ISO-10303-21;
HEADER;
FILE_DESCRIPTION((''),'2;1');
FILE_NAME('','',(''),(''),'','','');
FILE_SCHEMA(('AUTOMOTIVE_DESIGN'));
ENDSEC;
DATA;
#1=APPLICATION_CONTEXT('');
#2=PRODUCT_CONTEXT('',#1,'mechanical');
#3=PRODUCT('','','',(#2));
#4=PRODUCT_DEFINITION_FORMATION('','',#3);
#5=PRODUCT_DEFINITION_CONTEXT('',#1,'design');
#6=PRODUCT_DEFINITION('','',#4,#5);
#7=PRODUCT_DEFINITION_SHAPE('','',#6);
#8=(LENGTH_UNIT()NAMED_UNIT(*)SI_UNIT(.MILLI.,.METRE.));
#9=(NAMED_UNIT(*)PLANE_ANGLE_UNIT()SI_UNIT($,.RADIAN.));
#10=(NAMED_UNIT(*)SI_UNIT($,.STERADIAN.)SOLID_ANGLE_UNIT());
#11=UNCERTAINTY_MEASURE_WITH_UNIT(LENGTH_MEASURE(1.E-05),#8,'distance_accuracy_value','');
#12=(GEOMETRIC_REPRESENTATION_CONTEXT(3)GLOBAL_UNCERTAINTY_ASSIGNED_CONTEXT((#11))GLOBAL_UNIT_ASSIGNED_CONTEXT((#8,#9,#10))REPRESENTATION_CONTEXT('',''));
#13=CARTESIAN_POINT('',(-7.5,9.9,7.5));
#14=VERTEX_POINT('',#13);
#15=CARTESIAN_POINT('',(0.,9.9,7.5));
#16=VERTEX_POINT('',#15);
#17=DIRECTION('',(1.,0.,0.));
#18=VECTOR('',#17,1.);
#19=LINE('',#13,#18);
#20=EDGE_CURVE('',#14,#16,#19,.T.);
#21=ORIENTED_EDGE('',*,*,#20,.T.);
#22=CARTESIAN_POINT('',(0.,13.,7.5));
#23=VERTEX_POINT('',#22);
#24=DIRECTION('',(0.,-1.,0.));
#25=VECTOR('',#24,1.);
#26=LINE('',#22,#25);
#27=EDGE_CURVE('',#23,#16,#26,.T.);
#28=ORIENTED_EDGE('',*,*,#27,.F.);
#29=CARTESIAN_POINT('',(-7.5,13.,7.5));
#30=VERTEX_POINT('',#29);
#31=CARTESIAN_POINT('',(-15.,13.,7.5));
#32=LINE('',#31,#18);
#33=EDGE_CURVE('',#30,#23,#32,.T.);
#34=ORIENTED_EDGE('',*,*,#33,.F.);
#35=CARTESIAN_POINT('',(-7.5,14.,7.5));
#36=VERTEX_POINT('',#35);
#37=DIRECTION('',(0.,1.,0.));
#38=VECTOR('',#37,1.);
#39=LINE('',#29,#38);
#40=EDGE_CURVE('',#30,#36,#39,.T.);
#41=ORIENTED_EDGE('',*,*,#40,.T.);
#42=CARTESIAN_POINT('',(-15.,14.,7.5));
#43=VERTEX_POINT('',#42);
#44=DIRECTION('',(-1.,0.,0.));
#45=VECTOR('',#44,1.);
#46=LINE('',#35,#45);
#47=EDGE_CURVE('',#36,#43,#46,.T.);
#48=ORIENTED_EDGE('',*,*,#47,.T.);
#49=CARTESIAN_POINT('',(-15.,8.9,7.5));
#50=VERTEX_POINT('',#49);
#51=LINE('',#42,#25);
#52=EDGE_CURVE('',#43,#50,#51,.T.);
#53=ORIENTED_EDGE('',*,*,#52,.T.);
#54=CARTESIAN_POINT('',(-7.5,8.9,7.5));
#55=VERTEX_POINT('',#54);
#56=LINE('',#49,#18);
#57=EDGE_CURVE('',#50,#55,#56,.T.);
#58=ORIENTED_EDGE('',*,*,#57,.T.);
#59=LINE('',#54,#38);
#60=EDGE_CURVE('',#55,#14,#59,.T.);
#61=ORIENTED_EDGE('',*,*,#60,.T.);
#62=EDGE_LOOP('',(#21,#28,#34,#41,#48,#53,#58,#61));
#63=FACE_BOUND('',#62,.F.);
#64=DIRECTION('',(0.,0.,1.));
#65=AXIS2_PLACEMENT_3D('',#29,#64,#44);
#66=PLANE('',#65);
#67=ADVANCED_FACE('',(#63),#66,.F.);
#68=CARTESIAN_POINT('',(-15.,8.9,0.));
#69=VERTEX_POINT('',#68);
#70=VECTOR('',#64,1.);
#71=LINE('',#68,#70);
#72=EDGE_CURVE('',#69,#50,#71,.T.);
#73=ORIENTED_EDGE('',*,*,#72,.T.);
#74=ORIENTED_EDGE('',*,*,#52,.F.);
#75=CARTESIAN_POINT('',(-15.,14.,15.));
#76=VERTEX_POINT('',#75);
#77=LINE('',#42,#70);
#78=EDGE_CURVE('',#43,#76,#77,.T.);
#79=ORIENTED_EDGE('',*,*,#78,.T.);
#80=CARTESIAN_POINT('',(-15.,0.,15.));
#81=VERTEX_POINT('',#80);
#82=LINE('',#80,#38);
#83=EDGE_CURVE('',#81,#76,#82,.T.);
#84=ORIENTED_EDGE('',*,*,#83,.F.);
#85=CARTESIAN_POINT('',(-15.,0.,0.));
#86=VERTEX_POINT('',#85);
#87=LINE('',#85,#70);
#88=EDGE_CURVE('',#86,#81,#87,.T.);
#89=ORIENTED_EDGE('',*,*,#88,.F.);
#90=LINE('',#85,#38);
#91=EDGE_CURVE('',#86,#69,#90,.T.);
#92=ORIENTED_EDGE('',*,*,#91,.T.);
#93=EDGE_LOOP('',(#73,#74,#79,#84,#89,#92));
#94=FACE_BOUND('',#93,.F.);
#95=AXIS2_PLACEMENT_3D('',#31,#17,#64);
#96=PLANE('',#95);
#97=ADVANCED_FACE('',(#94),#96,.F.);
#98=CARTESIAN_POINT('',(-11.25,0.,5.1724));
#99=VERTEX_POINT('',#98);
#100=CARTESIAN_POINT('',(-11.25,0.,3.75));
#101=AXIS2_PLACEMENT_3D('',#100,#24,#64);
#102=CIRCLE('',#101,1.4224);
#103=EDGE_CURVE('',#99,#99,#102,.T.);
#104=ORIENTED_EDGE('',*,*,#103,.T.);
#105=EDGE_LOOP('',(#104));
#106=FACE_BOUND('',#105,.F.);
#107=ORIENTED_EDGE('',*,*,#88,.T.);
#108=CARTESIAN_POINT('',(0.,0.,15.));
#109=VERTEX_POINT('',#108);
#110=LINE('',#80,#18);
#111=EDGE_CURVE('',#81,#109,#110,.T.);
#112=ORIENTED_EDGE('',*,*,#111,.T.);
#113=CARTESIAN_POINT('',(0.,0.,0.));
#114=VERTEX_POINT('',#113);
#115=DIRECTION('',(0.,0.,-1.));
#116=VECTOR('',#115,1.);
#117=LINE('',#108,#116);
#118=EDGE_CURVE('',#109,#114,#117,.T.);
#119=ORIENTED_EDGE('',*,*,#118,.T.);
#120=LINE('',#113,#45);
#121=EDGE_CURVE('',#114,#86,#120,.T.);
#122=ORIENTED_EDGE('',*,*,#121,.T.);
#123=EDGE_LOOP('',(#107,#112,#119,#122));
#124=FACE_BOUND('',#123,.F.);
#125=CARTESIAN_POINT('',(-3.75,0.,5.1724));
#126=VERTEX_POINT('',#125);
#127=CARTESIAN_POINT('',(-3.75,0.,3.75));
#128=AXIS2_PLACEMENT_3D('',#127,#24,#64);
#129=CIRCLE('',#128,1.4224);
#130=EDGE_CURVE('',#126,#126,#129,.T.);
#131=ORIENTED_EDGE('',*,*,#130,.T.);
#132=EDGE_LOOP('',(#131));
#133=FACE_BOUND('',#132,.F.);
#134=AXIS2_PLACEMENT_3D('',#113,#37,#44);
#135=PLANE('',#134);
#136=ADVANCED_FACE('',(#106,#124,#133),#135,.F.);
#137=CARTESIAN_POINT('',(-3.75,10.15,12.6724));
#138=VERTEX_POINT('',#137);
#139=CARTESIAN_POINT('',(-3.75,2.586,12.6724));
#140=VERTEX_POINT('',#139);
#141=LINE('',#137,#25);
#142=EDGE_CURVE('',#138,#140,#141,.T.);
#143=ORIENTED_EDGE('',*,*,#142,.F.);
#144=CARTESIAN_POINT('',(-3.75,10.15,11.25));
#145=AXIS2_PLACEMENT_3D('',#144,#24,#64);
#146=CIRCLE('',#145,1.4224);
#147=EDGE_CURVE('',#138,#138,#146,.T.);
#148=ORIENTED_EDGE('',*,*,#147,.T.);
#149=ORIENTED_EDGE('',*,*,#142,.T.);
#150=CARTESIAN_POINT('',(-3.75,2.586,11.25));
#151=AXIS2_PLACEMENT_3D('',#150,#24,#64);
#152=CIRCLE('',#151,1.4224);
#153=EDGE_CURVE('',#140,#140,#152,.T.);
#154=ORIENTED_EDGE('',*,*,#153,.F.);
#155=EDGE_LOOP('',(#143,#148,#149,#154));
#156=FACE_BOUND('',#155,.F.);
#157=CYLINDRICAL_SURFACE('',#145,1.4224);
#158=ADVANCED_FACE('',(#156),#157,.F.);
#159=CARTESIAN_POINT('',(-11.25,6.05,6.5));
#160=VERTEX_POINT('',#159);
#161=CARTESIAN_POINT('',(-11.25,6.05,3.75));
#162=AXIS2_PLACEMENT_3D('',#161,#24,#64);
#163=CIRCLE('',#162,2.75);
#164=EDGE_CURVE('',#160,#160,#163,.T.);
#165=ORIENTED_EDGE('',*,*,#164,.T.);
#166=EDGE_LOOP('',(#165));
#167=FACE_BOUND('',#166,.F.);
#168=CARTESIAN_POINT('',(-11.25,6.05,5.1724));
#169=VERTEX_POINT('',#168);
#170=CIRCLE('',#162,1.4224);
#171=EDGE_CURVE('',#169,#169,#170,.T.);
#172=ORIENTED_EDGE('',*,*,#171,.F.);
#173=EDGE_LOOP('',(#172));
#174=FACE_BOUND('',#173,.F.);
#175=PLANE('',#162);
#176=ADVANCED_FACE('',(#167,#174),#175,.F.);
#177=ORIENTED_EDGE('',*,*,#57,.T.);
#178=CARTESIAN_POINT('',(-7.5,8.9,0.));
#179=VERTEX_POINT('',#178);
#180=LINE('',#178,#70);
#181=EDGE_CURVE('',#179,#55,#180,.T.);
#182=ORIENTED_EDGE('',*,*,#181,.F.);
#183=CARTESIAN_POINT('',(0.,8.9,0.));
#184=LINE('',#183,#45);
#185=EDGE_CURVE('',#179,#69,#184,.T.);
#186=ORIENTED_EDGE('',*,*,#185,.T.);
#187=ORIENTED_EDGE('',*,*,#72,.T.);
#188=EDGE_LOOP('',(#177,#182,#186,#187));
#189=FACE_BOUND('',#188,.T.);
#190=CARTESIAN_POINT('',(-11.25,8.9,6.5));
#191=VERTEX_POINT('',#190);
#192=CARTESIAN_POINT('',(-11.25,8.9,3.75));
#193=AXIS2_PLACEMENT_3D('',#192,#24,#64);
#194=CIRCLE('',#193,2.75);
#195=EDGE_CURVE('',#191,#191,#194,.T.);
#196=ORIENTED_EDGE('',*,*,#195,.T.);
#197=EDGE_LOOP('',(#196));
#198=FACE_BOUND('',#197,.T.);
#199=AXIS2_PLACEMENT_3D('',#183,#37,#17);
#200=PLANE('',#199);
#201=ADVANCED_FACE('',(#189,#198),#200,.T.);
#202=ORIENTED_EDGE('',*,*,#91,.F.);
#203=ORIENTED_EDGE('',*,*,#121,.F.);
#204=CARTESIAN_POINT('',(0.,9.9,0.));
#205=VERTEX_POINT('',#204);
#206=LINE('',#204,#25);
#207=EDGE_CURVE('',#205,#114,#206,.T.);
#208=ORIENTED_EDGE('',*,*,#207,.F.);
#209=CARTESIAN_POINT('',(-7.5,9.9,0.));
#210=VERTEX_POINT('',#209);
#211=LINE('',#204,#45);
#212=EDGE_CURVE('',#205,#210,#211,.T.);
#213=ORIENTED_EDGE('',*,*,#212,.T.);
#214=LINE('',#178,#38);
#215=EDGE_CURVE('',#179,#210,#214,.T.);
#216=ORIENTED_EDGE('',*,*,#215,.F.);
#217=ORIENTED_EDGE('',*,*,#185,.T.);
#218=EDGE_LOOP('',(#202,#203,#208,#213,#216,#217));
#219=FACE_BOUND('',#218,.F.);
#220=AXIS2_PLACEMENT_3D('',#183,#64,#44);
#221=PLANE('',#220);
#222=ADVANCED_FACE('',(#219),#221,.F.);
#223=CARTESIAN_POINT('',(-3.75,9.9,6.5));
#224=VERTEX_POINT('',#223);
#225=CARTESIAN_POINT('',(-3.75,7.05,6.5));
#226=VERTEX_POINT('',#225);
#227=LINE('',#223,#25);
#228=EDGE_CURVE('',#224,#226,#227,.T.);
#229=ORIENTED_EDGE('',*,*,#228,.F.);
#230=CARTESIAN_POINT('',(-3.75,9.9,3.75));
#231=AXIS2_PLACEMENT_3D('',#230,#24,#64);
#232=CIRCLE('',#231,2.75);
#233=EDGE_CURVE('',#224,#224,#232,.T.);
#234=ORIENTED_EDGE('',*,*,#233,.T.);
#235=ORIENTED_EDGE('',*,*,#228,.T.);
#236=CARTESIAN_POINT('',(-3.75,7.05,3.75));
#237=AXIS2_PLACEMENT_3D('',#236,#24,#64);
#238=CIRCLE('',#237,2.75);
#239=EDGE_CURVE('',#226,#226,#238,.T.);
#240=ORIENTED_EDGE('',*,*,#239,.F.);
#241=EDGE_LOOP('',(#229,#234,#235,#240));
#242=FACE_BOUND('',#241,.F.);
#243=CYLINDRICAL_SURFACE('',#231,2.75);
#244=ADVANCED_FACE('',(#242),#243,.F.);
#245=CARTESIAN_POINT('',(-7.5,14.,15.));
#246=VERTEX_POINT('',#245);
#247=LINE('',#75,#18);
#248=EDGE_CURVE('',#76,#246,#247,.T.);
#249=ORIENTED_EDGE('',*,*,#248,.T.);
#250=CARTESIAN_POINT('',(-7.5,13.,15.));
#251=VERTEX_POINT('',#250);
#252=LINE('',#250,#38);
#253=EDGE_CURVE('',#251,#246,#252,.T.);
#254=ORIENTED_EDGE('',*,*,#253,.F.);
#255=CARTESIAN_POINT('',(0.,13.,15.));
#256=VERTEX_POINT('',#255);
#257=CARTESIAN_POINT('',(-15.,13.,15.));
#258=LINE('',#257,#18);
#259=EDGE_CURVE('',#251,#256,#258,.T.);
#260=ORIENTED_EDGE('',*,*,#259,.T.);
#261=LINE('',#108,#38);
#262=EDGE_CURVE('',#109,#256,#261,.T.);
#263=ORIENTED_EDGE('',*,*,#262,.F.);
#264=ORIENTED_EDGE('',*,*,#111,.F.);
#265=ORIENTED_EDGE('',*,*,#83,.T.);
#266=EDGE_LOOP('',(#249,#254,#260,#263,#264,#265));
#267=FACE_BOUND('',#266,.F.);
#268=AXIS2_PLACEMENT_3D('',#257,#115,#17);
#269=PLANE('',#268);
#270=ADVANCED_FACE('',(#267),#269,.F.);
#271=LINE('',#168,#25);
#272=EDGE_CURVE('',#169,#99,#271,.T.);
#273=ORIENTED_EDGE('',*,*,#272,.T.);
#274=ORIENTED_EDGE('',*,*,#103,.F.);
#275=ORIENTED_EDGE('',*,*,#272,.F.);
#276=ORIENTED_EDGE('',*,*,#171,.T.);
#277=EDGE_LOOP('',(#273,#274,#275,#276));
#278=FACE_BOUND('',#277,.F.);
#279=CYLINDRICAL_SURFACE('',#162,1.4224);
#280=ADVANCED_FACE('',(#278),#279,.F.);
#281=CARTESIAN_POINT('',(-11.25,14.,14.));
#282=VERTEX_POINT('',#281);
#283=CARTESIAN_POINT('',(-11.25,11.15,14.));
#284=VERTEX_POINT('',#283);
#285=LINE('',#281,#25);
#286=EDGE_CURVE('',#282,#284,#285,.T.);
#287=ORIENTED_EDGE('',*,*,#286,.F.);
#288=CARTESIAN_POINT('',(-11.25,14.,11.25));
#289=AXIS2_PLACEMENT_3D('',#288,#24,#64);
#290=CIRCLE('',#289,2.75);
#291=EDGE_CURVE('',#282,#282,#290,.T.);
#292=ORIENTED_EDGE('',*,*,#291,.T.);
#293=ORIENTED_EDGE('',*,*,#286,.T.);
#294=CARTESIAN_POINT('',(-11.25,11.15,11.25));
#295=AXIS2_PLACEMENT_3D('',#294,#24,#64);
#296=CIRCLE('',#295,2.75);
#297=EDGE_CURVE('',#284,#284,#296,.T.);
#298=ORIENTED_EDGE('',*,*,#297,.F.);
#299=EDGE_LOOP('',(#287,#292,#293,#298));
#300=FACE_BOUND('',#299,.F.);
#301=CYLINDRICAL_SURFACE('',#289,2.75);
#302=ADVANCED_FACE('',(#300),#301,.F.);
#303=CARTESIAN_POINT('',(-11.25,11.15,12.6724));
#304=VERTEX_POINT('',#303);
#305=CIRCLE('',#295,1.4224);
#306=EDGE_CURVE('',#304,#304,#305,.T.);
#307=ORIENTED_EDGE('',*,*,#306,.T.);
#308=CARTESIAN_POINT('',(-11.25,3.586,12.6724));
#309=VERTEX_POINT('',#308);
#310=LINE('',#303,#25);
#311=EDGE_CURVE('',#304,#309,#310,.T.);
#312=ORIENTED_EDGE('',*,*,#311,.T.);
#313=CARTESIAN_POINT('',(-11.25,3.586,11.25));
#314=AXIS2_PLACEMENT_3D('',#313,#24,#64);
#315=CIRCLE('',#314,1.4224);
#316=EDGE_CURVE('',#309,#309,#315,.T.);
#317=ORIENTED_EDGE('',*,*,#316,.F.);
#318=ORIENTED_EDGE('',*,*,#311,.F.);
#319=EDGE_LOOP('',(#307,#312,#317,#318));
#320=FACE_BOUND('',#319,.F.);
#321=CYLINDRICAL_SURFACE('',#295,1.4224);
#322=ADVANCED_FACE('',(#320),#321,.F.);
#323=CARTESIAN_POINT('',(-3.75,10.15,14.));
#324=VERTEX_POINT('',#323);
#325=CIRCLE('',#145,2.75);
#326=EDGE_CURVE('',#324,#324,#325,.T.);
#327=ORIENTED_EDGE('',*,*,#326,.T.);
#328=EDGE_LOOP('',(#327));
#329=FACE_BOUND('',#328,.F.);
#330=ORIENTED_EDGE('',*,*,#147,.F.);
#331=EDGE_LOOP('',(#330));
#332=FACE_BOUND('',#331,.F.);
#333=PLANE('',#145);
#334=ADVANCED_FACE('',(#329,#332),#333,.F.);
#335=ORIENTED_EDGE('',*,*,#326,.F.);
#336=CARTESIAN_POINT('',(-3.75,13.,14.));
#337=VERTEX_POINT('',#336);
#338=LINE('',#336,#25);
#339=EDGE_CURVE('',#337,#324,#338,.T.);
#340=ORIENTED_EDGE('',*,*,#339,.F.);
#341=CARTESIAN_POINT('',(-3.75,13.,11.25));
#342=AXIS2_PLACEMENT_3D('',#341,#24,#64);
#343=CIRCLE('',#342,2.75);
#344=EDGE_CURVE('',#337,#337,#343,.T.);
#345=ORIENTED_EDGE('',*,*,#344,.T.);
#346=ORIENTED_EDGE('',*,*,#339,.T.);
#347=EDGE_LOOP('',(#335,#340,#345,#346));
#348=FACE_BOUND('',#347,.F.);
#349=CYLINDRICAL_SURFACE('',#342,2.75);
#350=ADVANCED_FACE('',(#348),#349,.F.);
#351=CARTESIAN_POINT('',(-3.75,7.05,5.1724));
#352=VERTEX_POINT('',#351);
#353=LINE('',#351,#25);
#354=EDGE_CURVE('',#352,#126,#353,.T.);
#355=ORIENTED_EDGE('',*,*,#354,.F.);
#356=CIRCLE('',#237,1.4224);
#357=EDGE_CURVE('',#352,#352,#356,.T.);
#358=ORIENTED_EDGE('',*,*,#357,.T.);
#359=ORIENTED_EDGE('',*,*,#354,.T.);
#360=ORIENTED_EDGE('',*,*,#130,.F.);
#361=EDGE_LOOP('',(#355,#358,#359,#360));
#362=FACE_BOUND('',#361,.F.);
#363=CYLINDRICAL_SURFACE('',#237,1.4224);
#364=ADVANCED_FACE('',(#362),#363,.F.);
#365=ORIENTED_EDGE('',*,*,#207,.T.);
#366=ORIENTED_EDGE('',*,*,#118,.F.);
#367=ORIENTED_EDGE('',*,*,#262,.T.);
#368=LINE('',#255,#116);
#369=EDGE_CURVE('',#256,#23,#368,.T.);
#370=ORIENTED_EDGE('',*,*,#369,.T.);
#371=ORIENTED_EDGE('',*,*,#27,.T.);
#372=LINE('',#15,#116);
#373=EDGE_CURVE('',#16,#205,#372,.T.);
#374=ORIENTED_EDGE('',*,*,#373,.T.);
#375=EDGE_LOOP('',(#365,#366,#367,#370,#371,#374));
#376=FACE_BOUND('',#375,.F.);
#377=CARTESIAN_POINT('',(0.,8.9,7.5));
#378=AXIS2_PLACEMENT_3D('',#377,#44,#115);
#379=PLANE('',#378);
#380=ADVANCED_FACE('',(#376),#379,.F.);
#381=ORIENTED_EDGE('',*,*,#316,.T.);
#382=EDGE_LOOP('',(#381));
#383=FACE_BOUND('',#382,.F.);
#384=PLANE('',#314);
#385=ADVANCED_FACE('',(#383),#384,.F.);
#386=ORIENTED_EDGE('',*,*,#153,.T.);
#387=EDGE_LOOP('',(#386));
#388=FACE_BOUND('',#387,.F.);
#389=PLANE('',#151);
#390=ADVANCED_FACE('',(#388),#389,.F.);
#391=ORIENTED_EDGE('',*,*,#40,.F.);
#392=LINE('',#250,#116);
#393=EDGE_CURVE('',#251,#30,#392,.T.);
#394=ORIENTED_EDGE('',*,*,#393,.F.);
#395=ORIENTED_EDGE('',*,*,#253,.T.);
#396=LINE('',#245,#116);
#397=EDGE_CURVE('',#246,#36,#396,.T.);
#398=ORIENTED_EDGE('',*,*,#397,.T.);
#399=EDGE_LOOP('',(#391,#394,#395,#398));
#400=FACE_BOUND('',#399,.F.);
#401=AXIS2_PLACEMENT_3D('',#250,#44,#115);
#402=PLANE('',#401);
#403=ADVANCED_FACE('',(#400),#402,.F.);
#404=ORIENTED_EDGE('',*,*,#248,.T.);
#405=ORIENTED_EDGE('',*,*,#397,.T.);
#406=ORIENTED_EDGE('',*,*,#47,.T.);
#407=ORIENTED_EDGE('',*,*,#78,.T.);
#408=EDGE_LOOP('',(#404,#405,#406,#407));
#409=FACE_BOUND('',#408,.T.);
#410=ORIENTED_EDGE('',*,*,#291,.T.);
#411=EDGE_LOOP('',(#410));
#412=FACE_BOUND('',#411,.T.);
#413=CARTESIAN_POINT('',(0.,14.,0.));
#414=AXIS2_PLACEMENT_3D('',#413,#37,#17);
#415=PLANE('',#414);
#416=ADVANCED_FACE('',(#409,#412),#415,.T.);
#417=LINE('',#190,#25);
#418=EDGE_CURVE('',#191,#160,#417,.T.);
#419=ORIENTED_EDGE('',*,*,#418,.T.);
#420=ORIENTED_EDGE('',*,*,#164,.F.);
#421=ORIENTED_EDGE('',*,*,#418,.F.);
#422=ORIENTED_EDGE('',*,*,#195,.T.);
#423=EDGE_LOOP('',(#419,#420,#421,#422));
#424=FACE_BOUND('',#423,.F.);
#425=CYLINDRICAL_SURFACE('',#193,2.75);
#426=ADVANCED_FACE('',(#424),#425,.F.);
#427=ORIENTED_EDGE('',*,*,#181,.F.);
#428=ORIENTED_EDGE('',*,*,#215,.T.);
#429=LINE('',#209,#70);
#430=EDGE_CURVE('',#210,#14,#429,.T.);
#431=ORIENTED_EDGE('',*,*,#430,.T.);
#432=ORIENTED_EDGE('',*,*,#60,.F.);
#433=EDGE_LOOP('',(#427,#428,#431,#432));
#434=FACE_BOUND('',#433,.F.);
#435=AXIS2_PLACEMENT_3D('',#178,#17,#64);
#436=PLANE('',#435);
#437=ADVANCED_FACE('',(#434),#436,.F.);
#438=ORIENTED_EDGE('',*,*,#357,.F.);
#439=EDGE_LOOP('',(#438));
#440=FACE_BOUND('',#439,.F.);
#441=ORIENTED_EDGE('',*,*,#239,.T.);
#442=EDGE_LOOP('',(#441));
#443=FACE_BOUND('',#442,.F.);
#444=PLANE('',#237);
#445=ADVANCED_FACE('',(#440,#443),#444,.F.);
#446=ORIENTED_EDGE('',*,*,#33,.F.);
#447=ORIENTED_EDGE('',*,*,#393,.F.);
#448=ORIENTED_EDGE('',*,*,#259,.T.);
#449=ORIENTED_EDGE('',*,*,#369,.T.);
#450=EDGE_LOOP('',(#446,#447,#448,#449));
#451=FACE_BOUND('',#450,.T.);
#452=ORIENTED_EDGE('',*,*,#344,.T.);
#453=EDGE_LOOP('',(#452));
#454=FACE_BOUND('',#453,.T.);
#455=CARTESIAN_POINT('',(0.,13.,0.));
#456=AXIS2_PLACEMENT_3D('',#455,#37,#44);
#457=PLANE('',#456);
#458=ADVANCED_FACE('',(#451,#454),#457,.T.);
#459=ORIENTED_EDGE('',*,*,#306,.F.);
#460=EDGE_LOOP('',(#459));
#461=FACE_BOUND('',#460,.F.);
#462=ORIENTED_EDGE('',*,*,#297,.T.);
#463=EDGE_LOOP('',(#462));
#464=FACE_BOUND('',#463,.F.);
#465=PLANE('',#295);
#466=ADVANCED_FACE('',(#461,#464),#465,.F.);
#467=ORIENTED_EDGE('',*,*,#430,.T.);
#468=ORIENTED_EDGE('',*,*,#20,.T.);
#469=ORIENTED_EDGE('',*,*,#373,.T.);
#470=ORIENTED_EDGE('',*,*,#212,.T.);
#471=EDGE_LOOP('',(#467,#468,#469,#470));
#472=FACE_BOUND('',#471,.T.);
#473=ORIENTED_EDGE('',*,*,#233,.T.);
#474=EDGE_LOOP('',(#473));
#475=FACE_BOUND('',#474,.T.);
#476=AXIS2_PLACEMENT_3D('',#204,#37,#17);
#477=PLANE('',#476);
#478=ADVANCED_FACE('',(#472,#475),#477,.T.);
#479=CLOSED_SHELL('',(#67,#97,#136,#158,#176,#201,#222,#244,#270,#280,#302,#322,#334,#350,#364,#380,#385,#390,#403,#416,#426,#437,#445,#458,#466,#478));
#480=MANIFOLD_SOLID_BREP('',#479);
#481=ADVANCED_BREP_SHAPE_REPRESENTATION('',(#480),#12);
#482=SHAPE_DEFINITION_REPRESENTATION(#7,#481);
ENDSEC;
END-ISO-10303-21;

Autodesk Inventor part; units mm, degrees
ref_plane "YZ Plane" through (0, 0, 0) normal (1, 0, 0) x (0, 1, 0)
ref_plane "XZ Plane" through (0, 0, 0) normal (0, 1, 0) x (-1, 0, 0)
ref_plane "XY Plane" through (0, 0, 0) normal (0, 0, 1) x (1, 0, 0)
sketch "Sketch1" plane through (0, 0, 0) normal (0, 1, 0) x (-1, 0, 0)
  line L0 (15, 15) -> (0, 15)
  line L1 (0, 15) -> (0, 0)
  line L2 (0, 0) -> (15, 0)
  line L3 (15, 0) -> (15, 15)
  dimension "d0" = 15
  dimension "d1" = 15
extrude "Extrusion1" add sketch "Sketch1" along normal blind 13
sketch "Sketch2" plane through (0, 13, 0) normal (0, 1, 0) x (1, 0, 0)
  line L0 (-15, -15) -> (0, -15) construction
  line L1 (0, -15) -> (0, 0) construction
  line L2 (0, 0) -> (-15, 0) construction
  line L3 (-15, 0) -> (-15, -15) construction
  line L4 (-15, 0) -> (-15, -15) construction
  line L5 (-15, -7.5) -> (0, -7.5) construction
  line L6 (-15, -7.5) -> (0, -7.5)
  line L7 (0, -7.5) -> (0, 0)
  line L8 (0, 0) -> (-15, 0)
  line L9 (-15, 0) -> (-15, -7.5)
extrude "Extrusion2" cut sketch "Sketch2" against normal blind 4.1
sketch "Sketch3" plane through (0, 13, 0) normal (0, 1, 0) x (1, 0, 0)
  line L0 (0, -7.5) -> (-15, -7.5) construction
  line L1 (-15, -7.5) -> (-15, -15) construction
  line L2 (-15, -15) -> (0, -15) construction
  line L3 (0, -15) -> (0, -7.5) construction
  line L4 (-15, -15) -> (0, -15) construction
  line L5 (-7.5, -15) -> (-7.5, -7.5) construction
  line L6 (-15, -15) -> (-7.5, -15)
  line L7 (-7.5, -15) -> (-7.5, -7.5)
  line L8 (-7.5, -7.5) -> (-15, -7.5)
  line L9 (-15, -7.5) -> (-15, -15)
  point P0 (0, 0)
extrude "Extrusion3" add sketch "Sketch3" along normal blind 1
sketch "Sketch4" plane through (0, 8.9, 0) normal (0, 1, 0) x (1, 0, 0)
  line L0 (0, 0) -> (0, -7.5) construction
  line L1 (-15, 0) -> (0, 0) construction
  line L2 (-15, -7.5) -> (-15, 0) construction
  line L3 (0, -7.5) -> (-15, -7.5) construction
  line L4 (-7.5, -7.5) -> (-7.5, 0) construction
  line L5 (-7.5, -7.5) -> (0, -7.5)
  line L6 (0, -7.5) -> (0, 0)
  line L7 (0, 0) -> (-7.5, 0)
  line L8 (-7.5, 0) -> (-7.5, -7.5)
extrude "Extrusion4" add sketch "Sketch4" along normal blind 1
sketch "Sketch5" plane through (0, 14, 0) normal (0, 1, 0) x (1, 0, 0)
  line L0 (-15, -15) -> (-7.5, -15) construction
  line L1 (-7.5, -15) -> (-7.5, -7.5) construction
  line L2 (-7.5, -7.5) -> (-15, -7.5) construction
  line L3 (-15, -7.5) -> (-15, -15) construction
  point P0 (0, 0)
  point P1 (-11.25, -11.25)
  point P2 (-11.25, -11.25)
sketch "Sketch6" plane through (0, 13, 0) normal (0, 1, 0) x (1, 0, 0)
  line L0 (-7.5, -7.5) -> (-7.5, -15) construction
  line L1 (-7.5, -15) -> (0, -15) construction
  line L2 (0, -15) -> (0, -7.5) construction
  line L3 (0, -7.5) -> (-7.5, -7.5) construction
  point P0 (0, 0)
  point P1 (-3.75, -11.25)
sketch "Sketch7" plane through (0, 9.9, 0) normal (0, 1, 0) x (1, 0, 0)
  line L0 (0, -7.5) -> (0, 0) construction
  line L1 (0, 0) -> (-7.5, 0) construction
  line L2 (-7.5, 0) -> (-7.5, -7.5) construction
  line L3 (0, -7.5) -> (-7.5, -7.5) construction
  point P0 (-3.75, -3.75)
sketch "Sketch8" plane through (0, 8.9, 0) normal (0, 1, 0) x (1, 0, 0)
  line L0 (-7.5, -7.5) -> (-7.5, 0) construction
  line L1 (-15, 0) -> (-7.5, 0) construction
  line L2 (-15, -7.5) -> (-15, 0) construction
  line L3 (-7.5, -7.5) -> (-15, -7.5) construction
  point P0 (0, 0)
  point P1 (-11.25, -3.75)
hole "Hole1" at (-11.25, 14, 11.25) direction (0, -1, 0) diameter 2.8448 depth 10.414 counterbore diameter 5.5 counterbore depth 2.85
hole "Hole2" at (-3.75, 13, 11.25) direction (0, -1, 0) diameter 2.8448 depth 10.414 counterbore diameter 5.5 counterbore depth 2.85
hole "Hole3" at (-11.25, 8.9, 3.75) direction (0, -1, 0) diameter 2.8448 depth 10.414 counterbore diameter 5.5 counterbore depth 2.85
hole "Hole4" at (-3.75, 9.9, 3.75) direction (0, -1, 0) diameter 2.8448 depth 10.414 counterbore diameter 5.5 counterbore depth 2.85
properties part number "screwprint"
